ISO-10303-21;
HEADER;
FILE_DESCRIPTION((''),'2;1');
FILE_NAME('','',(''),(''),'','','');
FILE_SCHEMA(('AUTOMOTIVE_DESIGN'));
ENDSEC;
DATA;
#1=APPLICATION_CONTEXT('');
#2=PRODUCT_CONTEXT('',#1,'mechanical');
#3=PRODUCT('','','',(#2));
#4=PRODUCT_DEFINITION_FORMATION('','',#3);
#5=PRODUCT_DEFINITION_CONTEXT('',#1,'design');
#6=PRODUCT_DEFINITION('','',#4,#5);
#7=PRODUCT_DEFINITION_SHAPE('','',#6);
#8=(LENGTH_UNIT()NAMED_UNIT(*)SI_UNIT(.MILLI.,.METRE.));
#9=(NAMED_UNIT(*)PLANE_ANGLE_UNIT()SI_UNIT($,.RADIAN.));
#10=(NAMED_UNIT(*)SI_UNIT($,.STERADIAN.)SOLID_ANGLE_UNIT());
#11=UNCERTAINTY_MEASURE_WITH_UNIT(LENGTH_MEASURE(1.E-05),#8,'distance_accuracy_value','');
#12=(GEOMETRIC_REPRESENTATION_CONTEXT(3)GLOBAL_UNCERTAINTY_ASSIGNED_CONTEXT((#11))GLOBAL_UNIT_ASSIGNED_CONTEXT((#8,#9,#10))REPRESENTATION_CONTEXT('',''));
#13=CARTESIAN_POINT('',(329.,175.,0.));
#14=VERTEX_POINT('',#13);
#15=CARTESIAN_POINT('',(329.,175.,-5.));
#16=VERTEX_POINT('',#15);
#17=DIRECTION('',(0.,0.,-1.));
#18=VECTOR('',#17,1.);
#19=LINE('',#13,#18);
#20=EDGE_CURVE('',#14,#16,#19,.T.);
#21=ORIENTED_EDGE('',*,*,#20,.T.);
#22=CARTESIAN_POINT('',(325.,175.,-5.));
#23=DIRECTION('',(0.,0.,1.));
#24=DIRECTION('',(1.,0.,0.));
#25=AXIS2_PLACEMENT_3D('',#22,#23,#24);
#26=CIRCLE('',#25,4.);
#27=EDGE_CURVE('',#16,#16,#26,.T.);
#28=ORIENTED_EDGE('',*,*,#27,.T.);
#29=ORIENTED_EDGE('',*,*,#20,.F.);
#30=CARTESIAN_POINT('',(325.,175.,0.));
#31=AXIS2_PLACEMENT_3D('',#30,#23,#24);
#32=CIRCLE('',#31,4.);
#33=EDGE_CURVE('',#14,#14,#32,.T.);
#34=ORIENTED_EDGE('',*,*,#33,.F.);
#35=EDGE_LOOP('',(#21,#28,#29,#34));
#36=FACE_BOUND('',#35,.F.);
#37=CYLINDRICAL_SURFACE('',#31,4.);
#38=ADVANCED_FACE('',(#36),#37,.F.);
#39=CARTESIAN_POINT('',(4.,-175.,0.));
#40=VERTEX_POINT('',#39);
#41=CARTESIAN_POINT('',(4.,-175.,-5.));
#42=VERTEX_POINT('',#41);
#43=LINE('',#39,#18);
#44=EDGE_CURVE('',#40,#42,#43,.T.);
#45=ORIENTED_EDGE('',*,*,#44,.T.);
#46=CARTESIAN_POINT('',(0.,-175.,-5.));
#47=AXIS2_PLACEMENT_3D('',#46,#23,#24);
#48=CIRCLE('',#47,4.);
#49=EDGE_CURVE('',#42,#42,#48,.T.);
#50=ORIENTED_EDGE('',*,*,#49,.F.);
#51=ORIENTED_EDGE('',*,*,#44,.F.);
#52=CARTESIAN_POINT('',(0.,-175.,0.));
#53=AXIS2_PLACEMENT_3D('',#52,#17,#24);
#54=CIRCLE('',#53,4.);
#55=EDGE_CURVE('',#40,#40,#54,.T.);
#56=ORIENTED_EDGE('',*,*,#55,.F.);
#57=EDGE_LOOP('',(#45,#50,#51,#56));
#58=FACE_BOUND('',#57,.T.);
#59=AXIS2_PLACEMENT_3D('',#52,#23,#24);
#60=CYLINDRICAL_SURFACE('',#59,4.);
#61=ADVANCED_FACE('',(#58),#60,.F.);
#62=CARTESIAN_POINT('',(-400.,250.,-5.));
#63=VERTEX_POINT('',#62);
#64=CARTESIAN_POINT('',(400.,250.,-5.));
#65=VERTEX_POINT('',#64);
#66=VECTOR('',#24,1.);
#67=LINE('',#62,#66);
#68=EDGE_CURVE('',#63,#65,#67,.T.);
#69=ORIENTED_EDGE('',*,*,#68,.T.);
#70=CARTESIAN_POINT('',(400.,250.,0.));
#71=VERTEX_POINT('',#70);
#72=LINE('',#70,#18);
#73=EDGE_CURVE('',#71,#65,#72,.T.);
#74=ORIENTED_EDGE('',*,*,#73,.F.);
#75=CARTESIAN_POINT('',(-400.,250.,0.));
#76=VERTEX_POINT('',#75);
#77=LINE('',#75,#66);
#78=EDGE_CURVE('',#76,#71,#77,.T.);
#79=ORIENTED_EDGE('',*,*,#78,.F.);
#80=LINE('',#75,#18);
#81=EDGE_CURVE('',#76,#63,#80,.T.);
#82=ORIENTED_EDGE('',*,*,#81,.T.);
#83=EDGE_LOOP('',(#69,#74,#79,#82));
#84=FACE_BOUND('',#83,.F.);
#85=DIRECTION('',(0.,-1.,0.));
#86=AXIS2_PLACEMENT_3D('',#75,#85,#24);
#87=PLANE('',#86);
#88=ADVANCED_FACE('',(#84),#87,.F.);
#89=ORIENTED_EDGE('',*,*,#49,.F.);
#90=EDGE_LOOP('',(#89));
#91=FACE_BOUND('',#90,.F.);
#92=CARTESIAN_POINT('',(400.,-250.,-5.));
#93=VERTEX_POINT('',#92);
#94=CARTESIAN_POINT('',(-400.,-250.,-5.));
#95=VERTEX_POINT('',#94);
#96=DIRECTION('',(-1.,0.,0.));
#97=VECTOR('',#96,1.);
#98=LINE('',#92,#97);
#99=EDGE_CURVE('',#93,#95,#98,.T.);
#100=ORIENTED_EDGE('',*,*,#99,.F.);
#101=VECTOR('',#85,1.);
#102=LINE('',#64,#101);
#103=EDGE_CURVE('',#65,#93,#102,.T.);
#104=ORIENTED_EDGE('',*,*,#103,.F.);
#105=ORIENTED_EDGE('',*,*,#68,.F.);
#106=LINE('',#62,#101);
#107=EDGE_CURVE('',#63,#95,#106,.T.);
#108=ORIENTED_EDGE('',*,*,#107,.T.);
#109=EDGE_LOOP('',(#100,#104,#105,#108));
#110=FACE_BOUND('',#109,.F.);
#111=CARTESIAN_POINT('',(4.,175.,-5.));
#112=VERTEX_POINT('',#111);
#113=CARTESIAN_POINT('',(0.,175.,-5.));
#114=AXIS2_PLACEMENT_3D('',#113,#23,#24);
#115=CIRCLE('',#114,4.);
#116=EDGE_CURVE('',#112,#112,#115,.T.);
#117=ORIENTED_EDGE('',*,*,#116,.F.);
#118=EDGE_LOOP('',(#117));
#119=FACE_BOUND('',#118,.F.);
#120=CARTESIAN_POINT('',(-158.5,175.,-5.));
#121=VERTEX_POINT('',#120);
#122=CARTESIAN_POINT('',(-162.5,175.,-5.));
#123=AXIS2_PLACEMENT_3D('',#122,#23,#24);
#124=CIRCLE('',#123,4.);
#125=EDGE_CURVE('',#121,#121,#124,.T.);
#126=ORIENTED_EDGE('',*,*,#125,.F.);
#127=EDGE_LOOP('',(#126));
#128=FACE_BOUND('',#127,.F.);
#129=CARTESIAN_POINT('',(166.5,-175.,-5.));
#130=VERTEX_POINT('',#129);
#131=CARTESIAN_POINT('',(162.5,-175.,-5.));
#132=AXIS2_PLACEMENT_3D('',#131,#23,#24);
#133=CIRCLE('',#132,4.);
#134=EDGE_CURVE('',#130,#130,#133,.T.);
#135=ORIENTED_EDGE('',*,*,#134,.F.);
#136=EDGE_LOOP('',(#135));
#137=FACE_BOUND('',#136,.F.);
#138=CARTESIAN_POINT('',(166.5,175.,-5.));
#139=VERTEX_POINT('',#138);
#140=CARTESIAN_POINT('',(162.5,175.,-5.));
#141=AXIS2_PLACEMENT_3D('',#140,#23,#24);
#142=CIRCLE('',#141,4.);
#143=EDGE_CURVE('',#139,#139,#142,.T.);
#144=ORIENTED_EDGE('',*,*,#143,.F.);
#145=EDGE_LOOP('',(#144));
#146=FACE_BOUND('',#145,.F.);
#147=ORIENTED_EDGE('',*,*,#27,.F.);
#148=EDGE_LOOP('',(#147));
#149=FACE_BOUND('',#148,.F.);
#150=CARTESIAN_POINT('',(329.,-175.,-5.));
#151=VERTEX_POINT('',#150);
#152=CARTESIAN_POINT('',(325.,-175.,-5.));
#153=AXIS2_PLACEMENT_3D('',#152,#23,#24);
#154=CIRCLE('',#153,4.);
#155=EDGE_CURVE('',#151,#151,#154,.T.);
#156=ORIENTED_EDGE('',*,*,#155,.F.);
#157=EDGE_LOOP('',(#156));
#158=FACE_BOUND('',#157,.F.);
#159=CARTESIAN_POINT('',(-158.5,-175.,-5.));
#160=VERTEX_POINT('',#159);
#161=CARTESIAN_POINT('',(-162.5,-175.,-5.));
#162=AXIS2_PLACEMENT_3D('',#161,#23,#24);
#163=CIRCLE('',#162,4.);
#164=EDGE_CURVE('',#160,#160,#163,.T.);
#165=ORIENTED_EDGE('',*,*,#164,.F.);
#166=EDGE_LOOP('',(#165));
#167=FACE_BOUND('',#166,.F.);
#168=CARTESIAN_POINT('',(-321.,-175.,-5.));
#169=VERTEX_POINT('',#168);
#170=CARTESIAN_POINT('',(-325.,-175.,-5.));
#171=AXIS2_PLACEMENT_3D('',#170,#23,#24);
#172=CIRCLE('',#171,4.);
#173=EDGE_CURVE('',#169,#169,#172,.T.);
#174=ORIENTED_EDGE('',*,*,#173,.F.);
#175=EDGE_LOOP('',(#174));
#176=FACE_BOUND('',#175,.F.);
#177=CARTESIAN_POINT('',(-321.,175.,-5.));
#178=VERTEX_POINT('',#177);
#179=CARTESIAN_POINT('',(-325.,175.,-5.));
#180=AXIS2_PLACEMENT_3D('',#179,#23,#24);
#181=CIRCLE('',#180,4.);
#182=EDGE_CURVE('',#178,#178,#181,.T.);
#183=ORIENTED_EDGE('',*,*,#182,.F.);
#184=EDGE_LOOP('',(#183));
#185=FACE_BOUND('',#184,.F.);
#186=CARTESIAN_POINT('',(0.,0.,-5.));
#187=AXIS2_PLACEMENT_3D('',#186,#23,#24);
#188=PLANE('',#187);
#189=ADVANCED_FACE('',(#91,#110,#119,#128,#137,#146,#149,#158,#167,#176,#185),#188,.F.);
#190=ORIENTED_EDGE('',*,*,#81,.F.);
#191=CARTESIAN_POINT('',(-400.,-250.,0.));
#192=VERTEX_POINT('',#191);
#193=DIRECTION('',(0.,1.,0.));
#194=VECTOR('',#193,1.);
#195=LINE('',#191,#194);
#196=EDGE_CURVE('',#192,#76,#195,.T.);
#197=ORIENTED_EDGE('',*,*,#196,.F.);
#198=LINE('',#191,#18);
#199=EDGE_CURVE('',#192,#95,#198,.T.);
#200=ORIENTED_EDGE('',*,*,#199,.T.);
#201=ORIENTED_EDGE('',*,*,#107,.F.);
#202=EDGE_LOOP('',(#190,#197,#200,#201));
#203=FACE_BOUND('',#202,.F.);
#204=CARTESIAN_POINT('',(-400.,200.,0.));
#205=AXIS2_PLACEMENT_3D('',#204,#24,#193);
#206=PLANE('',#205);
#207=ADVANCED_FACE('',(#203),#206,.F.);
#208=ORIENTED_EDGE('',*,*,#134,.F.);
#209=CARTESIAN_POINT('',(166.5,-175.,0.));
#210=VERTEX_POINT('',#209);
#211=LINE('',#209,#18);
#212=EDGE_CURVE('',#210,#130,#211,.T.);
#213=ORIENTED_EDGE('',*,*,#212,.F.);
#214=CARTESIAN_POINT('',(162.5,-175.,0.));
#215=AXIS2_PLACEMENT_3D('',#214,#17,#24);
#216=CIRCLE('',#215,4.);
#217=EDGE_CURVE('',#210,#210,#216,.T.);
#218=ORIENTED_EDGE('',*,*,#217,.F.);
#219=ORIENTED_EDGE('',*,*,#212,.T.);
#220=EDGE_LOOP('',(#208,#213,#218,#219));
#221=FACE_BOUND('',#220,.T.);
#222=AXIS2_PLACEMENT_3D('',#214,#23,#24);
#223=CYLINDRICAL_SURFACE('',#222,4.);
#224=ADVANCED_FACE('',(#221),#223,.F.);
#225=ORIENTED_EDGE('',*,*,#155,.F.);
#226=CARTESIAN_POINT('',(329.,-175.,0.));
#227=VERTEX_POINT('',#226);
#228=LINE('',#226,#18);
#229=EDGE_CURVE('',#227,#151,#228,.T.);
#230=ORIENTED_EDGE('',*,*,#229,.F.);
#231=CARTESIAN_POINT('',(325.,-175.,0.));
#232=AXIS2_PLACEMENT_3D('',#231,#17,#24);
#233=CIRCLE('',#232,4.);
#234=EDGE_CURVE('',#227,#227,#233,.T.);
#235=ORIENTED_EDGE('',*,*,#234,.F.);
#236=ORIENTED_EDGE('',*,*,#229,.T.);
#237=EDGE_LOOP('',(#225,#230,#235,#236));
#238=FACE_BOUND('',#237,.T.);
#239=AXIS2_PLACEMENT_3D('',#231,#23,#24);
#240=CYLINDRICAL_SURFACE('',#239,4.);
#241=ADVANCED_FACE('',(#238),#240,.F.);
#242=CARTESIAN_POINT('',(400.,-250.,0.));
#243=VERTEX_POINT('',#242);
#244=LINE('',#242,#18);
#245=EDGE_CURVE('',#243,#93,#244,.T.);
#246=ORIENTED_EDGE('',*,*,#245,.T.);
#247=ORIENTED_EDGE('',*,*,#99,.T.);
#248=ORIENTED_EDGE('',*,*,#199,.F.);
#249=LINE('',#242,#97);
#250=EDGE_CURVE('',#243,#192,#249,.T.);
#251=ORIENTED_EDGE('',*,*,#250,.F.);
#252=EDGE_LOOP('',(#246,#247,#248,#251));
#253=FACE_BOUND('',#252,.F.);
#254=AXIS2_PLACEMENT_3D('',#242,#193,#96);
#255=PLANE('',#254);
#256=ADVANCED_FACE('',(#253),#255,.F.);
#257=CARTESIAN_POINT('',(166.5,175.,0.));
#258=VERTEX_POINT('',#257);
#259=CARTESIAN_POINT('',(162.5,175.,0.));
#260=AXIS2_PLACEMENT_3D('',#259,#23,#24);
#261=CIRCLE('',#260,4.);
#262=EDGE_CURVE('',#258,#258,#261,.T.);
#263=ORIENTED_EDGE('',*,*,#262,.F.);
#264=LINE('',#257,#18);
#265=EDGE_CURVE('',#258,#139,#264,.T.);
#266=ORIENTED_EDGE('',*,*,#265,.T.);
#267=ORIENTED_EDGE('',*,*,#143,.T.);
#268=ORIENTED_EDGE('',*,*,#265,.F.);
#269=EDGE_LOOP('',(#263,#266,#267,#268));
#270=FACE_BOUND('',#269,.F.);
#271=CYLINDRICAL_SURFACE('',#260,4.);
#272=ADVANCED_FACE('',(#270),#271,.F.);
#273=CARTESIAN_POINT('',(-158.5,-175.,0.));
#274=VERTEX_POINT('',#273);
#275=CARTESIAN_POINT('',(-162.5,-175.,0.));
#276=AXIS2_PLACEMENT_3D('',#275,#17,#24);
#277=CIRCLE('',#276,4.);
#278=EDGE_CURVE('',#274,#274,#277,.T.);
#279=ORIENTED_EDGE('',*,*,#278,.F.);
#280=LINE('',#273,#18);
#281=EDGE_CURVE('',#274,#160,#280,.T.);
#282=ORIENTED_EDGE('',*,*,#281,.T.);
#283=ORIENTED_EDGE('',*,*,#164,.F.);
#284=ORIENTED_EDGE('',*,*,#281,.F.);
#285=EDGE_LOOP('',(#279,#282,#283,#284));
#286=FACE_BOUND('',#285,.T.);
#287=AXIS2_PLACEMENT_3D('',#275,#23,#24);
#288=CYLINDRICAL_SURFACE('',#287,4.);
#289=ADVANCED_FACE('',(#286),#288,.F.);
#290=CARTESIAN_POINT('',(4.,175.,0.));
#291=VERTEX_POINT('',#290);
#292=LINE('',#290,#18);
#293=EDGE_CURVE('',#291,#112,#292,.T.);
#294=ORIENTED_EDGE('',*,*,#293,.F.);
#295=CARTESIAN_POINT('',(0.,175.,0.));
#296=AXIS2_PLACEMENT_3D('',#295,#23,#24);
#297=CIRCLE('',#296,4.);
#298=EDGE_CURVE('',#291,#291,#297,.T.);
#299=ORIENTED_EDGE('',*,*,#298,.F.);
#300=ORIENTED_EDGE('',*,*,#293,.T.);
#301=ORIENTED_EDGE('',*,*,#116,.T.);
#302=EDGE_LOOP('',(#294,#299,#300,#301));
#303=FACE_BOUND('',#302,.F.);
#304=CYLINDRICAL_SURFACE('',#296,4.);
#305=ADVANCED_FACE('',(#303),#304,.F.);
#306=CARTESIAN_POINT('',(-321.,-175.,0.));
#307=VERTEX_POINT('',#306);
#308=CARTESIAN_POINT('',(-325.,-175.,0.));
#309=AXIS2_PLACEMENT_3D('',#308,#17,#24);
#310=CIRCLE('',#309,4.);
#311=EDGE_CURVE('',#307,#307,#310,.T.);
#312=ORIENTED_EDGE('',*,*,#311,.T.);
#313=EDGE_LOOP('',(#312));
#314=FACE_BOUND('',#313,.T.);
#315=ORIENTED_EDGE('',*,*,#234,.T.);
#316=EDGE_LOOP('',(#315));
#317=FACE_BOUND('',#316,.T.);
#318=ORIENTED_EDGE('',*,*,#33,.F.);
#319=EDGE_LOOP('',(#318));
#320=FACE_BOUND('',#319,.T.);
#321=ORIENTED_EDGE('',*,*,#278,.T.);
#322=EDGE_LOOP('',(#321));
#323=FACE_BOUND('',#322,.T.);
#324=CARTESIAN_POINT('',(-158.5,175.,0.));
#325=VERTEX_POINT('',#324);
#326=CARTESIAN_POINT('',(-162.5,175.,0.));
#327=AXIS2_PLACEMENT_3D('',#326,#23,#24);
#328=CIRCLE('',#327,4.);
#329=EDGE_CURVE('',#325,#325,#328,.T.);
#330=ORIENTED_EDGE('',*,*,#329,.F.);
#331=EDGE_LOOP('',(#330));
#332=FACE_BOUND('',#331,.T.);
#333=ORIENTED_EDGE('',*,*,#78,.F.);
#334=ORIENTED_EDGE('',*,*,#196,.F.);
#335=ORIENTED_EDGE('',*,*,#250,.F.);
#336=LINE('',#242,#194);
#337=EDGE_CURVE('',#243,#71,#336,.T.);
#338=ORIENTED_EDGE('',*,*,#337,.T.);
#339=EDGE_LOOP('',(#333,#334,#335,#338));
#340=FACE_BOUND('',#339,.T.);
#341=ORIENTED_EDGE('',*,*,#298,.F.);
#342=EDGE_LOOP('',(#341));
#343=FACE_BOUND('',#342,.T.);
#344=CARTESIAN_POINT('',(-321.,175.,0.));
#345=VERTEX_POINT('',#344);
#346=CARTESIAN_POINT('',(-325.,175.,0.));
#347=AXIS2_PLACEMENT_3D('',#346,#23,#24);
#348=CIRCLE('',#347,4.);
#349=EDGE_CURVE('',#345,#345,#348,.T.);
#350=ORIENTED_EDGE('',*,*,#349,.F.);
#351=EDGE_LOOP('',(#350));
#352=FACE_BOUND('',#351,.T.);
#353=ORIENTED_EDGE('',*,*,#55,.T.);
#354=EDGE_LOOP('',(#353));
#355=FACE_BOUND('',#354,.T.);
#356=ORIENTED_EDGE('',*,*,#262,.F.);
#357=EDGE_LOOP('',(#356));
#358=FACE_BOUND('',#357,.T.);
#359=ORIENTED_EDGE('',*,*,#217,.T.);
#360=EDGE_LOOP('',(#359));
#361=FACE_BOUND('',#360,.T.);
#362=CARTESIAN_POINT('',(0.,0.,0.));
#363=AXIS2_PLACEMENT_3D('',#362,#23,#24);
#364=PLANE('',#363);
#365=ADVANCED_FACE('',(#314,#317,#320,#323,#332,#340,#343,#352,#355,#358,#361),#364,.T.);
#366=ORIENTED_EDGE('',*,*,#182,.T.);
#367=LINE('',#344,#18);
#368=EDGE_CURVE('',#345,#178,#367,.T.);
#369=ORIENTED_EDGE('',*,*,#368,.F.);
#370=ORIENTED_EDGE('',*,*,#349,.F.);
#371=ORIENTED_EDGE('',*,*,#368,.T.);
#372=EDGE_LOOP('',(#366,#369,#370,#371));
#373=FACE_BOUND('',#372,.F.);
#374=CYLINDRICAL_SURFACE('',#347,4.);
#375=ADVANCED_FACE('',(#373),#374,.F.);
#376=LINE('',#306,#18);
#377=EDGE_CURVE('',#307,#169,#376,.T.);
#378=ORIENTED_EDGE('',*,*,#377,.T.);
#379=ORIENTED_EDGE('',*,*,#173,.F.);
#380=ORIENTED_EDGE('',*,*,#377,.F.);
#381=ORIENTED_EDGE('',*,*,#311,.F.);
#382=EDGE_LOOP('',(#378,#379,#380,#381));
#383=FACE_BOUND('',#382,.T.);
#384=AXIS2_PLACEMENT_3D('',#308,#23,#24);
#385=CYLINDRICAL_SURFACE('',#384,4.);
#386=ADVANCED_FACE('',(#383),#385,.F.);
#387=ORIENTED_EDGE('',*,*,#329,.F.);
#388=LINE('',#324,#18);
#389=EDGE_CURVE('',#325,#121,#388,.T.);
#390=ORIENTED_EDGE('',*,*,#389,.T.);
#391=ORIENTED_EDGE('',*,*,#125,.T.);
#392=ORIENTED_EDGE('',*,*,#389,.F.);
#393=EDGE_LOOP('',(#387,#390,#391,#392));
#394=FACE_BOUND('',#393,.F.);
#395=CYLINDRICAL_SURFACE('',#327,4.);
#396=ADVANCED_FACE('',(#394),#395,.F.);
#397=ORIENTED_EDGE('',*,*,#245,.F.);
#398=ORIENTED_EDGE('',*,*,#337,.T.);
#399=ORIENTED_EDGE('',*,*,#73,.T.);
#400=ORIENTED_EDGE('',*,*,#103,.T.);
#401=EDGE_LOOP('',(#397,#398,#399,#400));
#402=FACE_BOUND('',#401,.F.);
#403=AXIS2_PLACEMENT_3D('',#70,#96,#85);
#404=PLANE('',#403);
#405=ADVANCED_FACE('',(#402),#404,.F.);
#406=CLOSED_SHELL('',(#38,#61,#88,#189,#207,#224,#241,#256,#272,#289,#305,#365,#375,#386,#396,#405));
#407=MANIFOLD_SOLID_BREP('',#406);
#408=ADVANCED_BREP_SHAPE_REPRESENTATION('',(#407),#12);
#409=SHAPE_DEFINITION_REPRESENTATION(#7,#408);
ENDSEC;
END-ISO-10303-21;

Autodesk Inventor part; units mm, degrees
ref_plane "YZ Plane" through (0, 0, 0) normal (1, 0, 0) x (0, 1, 0)
ref_plane "XZ Plane" through (0, 0, 0) normal (0, 1, 0) x (-1, 0, 0)
ref_plane "XY Plane" through (0, 0, 0) normal (0, 0, 1) x (1, 0, 0)
sketch "base_layout_sketch" plane through (0, 0, 0) normal (0, 0, 1) x (1, 0, 0)
  line L0 (-400, 200) -> (400, 200)
  line L1 (400, 200) -> (400, -200)
  line L2 (400, -200) -> (-400, -200)
  line L3 (-400, -200) -> (-400, 200)
  line L4 (0, 200) -> (0, -200) construction
  line L5 (-400, 150) -> (400, 150)
  line L6 (400, 150) -> (400, -150)
  line L7 (400, -150) -> (-400, -150)
  line L8 (-400, -150) -> (-400, 150)
  line L9 (0, 150) -> (0, -150) construction
  line L10 (-400, 250) -> (400, 250)
  line L11 (400, 250) -> (400, -250)
  line L12 (400, -250) -> (-400, -250)
  line L13 (-400, -250) -> (-400, 250)
  line L14 (0, 250) -> (0, -250) construction
  point P0 (0, 0)
  point P1 (0, 0)
  point P2 (-400, 200)
  point P3 (-400, -200)
  point P4 (400, -200)
  point P5 (400, 200)
  dimension "d0" = 400
  dimension "d1" = 800
  dimension "d2" = 300
  dimension "d4" = 500
sketch "bolt_holes_sketch" plane through (0, 0, 0) normal (0, 0, 1) x (1, 0, 0)
  circle A0 centre (-325, 175) radius 4
  line L0 (-400, 250) -> (400, 250) projected
  line L1 (-400, -250) -> (-400, 250) projected
  line L2 (-525, 0) -> (525, 0) projected
  point P0 (0, 0)
  dimension "d3" = 8
  dimension "d6" = 75
  dimension "d21" = 175
extrude "sheet_visualisation" add sketch "base_layout_sketch" against normal blind 5
extrude "bolt_holes Cut" cut sketch "bolt_holes_sketch" against normal through all
pattern_linear "bolt_holes_upper Pattern" count 5 spacing 162.5 along (1, 0, 0) of "bolt_holes Cut"
mirror "bolt_holes Mirror" about plane through (0, 0, 0) normal (0, 1, 0) of "bolt_holes Cut", "bolt_holes_upper Pattern"
equation "\"d0\" = layer_width"
equation "\"d1\" = track_length"
equation "\"d2\" = track_width"
equation "\"d4\" = real_sheet_width"
equation "\"d3\" = bolt_diameter"
equation "\"d6\" = x_offset_for_bolts"
equation "\"d21\" = y_offset_for_bolts"
equation "\"d14\" = sheet_thickness"
equation "\"track_length\" = 800"
equation "\"layer_width\" = 400"
equation "\"bolt_diameter\" = 8"
equation "\"real_sheet_width\" = 500"
equation "\"x_offset_for_bolts\" = 75"
equation "\"y_offset_for_bolts\" = 175"
equation "\"sheet_thickness\" = 5"
equation "\"track_width\" = 300"
equation "\"ferrite_length\" = 218"
equation "\"ferrite_width\" = 15"
equation "\"ferrite_height\" = 8"
equation "\"edge_gap_distance\" = 14.5"
equation "\"wire_diameter\" = 4.5"
equation "\"distance_between_wires\" = -1.2 * wire_diameter + 0.2 * parameter_6"
equation "\"distance_between_wires_edge\" = -1.5 * wire_diameter + 0.5 * parameter_2"
equation "\"bend_radius_inner\" = 15"
equation "\"wall_thickness\" = 25"
equation "\"parameter_6\" = 120"
equation "\"parameter_2\" = 30"
properties part number "track_surface_layer"
